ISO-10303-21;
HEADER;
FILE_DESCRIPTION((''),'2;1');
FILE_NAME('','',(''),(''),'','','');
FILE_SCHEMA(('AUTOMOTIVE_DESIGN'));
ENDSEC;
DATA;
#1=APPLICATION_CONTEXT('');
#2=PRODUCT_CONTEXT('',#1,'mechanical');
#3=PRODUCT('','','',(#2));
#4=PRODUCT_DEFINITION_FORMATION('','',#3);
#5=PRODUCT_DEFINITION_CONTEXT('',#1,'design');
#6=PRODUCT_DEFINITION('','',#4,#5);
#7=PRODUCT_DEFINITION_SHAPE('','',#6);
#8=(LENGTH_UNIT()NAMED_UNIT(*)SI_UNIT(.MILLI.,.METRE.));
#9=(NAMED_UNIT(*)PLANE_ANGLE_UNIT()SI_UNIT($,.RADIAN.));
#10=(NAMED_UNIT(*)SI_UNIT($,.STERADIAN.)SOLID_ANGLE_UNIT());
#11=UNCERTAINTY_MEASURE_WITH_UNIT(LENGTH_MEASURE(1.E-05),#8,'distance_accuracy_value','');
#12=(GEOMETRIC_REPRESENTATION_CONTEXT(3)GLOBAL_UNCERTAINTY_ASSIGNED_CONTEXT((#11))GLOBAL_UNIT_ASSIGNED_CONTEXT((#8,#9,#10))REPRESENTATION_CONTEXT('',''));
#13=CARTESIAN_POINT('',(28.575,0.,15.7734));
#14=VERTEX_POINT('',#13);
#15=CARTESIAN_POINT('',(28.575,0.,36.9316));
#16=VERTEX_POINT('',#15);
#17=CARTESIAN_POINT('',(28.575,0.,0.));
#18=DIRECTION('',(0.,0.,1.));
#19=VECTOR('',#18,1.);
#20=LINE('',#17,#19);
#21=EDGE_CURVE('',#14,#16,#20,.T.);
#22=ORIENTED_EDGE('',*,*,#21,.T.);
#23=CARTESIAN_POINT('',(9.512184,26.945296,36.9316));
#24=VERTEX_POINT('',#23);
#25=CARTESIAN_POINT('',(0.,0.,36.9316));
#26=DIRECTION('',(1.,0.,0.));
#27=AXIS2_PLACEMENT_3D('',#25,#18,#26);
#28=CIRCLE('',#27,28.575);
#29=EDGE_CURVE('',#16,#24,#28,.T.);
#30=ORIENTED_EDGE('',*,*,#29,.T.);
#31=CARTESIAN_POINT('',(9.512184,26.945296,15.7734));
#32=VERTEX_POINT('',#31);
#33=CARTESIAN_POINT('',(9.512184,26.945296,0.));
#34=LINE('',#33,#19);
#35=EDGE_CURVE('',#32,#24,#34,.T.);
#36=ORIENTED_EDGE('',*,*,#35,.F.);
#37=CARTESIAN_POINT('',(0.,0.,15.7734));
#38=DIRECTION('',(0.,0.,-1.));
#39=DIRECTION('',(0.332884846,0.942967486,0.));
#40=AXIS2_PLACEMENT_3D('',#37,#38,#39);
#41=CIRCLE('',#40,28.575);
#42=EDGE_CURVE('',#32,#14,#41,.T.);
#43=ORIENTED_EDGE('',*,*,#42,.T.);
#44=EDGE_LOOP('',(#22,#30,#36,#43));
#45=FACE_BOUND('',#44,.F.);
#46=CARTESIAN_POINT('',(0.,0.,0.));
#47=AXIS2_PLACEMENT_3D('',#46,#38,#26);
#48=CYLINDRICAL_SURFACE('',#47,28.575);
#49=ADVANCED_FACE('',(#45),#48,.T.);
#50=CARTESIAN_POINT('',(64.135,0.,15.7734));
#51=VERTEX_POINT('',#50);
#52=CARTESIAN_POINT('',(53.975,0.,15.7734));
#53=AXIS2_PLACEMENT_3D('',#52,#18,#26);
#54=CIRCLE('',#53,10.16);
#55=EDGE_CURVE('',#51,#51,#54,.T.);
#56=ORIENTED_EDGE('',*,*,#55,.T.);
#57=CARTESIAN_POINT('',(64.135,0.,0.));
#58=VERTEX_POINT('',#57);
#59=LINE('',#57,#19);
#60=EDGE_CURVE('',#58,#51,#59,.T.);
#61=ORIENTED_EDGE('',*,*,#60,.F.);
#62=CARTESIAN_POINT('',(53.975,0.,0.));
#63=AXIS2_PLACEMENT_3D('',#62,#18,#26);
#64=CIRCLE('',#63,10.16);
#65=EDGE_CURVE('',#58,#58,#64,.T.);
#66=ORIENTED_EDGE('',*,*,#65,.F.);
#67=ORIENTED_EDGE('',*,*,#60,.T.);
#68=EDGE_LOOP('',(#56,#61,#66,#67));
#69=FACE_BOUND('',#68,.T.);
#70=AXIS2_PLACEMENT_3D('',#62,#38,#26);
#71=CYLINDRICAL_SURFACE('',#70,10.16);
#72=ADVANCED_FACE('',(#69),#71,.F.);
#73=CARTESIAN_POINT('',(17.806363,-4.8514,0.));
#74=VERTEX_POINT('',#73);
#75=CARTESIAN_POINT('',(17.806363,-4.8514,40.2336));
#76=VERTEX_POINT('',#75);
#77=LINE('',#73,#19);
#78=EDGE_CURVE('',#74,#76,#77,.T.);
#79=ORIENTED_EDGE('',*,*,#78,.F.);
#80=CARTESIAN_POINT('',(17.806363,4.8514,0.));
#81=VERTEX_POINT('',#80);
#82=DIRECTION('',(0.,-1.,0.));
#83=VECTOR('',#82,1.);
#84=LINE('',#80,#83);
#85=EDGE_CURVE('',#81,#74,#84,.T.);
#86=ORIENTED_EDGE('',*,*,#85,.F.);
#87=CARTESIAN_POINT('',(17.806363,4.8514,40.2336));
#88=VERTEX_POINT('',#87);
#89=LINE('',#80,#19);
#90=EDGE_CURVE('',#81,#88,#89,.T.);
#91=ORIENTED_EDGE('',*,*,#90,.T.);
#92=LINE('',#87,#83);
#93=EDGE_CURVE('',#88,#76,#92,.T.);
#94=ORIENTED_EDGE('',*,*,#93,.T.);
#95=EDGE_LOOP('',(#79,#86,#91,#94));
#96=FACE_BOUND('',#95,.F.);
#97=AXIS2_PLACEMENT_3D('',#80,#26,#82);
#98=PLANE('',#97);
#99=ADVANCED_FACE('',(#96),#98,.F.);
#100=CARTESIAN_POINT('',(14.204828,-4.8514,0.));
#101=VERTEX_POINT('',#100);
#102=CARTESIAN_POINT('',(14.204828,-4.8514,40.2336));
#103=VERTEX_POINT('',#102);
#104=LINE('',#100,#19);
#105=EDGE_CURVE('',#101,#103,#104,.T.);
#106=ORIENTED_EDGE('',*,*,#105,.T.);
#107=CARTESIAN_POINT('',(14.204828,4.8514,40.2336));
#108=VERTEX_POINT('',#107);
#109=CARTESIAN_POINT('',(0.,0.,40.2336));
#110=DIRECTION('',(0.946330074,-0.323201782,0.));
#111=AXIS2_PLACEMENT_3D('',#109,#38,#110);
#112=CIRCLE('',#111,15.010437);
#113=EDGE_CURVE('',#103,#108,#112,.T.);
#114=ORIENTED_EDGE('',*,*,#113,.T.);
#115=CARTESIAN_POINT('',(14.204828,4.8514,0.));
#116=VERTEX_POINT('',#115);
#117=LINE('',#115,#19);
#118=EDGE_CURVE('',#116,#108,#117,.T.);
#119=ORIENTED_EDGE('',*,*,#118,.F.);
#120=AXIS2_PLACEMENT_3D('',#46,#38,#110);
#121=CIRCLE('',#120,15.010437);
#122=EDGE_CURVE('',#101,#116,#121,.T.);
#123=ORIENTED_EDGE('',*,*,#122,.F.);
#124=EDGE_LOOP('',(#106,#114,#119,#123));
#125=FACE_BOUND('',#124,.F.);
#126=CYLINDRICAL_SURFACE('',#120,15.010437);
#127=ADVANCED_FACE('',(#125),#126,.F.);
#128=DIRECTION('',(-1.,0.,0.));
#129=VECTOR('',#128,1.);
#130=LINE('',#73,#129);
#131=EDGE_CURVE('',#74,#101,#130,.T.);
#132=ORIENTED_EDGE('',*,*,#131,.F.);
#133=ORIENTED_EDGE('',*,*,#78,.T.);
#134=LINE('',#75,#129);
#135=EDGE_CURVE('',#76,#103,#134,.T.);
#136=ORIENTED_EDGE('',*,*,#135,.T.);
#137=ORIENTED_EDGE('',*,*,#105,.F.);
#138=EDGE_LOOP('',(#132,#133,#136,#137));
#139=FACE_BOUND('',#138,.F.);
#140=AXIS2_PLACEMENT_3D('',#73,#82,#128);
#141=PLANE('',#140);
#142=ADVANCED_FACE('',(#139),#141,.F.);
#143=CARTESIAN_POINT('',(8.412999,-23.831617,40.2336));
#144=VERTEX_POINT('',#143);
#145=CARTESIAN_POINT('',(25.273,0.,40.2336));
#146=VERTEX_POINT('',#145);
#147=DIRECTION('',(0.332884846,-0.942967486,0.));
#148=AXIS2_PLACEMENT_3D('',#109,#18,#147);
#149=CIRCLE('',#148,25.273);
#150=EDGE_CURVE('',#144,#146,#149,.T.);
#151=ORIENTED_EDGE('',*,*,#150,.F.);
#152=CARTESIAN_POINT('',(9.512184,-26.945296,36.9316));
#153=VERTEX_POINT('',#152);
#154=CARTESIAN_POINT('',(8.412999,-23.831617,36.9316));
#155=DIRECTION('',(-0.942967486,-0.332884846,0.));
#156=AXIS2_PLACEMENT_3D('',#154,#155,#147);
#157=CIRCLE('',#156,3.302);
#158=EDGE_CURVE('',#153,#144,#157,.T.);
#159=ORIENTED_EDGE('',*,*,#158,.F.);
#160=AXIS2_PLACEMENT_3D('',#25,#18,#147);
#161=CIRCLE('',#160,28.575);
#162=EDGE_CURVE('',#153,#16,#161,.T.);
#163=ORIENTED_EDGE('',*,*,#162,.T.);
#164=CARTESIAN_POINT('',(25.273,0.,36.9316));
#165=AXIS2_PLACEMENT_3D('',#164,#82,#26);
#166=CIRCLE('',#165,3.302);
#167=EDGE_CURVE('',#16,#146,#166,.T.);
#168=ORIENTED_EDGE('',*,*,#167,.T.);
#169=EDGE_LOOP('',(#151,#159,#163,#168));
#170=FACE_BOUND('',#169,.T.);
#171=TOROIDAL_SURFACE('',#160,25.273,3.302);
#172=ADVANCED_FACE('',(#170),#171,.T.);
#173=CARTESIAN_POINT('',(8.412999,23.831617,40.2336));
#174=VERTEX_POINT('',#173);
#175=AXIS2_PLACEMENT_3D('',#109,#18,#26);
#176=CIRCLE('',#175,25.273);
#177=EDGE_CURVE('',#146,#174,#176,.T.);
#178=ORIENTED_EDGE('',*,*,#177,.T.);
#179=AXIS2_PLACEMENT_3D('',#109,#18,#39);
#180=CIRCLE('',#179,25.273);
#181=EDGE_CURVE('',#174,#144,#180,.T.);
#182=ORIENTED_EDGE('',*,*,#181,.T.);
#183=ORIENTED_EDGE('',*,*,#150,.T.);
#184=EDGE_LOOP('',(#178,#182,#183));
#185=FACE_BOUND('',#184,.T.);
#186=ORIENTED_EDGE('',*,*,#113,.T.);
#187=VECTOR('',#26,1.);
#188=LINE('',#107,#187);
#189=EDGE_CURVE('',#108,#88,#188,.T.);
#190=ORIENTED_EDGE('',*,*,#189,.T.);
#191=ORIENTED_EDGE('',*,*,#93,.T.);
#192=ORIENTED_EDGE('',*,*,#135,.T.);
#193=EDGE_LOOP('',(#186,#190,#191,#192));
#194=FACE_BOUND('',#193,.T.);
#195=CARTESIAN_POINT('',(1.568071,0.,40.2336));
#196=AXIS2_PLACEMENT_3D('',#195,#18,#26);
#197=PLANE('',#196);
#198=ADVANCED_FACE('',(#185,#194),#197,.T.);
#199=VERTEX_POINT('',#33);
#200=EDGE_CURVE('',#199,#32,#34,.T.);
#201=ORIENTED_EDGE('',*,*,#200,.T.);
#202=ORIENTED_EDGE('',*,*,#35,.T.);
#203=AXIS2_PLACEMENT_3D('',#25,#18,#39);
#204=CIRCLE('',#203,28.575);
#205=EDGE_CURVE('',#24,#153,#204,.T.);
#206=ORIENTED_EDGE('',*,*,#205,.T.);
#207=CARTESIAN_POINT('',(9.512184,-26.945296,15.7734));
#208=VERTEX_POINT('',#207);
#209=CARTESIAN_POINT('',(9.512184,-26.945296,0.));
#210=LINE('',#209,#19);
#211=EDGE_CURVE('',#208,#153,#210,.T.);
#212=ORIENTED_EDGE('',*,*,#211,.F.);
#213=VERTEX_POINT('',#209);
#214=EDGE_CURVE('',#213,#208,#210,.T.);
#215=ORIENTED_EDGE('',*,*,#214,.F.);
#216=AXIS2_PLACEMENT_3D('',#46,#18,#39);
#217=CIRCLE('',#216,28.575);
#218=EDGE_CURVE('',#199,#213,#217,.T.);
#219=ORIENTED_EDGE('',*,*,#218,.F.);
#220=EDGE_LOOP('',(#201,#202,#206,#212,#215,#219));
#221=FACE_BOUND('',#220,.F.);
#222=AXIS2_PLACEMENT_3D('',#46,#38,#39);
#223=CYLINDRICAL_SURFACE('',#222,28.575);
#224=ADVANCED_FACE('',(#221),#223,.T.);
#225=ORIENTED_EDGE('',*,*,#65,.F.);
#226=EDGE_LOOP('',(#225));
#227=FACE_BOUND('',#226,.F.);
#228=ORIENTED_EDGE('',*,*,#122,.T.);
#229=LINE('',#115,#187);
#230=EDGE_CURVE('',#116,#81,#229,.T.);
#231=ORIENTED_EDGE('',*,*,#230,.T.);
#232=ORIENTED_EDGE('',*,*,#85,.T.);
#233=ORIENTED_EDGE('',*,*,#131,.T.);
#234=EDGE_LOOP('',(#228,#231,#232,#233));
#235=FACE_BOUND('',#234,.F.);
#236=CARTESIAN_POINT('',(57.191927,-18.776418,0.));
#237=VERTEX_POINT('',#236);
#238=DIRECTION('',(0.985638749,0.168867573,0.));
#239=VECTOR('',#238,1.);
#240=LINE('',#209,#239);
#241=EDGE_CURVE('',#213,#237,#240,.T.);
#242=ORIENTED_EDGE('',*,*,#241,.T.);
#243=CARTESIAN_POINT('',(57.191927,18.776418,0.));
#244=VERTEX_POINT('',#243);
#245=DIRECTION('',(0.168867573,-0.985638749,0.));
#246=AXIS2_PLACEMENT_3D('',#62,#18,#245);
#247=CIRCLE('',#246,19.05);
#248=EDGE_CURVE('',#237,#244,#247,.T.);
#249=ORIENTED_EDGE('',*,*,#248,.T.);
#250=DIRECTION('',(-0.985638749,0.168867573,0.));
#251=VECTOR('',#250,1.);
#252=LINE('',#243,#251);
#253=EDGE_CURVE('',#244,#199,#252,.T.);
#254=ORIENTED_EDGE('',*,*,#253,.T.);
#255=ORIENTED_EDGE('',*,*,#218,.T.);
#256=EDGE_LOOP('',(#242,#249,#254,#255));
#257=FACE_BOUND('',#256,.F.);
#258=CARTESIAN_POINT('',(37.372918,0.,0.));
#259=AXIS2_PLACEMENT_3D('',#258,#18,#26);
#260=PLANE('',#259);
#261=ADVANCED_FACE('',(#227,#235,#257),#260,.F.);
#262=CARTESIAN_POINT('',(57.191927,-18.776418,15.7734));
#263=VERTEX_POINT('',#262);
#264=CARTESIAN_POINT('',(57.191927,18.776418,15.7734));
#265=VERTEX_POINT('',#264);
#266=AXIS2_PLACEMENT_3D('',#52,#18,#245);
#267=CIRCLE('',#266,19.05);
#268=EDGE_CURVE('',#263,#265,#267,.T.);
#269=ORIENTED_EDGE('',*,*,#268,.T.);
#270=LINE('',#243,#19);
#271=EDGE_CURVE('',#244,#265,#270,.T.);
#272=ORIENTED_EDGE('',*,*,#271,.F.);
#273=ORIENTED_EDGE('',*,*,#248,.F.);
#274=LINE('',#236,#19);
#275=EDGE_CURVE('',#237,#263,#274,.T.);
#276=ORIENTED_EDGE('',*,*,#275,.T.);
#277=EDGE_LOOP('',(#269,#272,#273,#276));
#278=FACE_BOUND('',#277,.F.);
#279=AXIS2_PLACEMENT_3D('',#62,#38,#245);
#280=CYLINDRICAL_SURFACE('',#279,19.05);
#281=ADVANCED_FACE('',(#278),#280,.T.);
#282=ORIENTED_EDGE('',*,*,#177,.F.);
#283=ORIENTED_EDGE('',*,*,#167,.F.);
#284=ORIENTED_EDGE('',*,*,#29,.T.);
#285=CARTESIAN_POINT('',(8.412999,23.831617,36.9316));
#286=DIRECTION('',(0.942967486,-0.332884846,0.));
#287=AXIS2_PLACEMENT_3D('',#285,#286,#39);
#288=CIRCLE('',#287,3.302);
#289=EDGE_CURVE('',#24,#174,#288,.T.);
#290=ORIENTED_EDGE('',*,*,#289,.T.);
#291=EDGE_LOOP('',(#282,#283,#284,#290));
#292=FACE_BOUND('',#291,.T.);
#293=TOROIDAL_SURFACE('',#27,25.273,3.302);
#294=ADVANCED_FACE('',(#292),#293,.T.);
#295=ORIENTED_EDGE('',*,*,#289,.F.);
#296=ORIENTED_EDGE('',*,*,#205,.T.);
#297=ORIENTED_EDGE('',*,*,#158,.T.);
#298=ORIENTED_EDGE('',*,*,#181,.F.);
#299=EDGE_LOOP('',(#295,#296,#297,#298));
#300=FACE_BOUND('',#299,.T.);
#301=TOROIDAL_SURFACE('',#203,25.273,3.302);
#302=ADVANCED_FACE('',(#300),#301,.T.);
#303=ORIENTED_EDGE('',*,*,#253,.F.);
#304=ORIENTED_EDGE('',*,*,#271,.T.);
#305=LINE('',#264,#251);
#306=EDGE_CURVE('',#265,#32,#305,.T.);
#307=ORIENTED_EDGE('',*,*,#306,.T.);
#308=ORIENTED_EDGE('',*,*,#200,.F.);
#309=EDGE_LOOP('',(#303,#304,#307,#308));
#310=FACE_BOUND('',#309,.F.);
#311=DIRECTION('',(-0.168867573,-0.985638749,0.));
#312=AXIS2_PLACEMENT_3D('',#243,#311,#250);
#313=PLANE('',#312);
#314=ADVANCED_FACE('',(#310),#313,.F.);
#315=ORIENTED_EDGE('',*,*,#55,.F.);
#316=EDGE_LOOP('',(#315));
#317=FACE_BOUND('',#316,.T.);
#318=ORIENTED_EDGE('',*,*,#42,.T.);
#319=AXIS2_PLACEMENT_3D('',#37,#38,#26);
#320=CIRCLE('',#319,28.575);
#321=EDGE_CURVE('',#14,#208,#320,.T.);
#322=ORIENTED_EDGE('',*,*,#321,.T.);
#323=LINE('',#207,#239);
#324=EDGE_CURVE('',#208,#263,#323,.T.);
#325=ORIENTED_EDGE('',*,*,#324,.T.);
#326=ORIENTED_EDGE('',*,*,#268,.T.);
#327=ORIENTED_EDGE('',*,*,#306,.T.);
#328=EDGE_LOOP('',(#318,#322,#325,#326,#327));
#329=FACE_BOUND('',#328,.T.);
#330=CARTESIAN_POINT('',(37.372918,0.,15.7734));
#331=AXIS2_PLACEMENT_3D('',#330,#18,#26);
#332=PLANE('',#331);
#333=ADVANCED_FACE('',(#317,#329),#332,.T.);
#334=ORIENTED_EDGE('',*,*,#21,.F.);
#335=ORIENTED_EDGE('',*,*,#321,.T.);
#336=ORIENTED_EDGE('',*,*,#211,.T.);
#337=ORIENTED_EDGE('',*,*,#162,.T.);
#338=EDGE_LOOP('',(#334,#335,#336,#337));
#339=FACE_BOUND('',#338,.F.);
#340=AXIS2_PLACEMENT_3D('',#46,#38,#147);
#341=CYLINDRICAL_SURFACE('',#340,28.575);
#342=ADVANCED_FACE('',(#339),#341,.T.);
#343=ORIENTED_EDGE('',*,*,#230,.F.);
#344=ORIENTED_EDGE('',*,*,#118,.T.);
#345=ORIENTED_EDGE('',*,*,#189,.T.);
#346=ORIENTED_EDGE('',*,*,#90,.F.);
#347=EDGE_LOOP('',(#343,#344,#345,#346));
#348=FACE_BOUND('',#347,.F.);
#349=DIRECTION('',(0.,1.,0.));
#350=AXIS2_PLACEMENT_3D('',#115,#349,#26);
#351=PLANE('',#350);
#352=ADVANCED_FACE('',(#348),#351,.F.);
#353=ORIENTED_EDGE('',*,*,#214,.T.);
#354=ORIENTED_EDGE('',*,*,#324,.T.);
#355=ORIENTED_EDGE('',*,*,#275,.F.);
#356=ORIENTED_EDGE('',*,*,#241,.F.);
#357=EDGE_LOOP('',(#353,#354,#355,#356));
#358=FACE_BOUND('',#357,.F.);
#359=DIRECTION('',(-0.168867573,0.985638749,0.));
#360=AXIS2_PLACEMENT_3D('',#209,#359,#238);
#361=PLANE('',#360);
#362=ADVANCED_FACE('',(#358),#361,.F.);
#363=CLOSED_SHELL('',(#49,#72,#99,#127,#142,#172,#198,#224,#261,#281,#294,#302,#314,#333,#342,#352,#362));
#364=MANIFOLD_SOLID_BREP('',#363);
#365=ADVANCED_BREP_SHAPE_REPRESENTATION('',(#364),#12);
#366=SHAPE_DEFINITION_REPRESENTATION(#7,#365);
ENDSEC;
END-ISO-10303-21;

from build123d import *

# Parameters (mm, degrees)
F0_R     = 24.9326348986
F1_DEPTH = 40.2336
F2_R     = 10.16
F3_DEPTH = 15.7734
F4_R     = 3.302


with BuildPart() as f1:
    # F0 (on Top) → F1 (new body)
    with BuildSketch(Plane.XY):
        with BuildLine():
            ThreePointArc((9.5121844836, -26.9452959039), (23.3274655355, -16.5033322905), (28.575, 0))
            ThreePointArc((28.575, 0), (23.3274655355, 16.5033322905), (9.5121844836, 26.9452959039))
            ThreePointArc((9.5121844836, 26.9452959039), (-28.575, 0), (9.5121844836, -26.9452959039))
        make_face()
        Circle(F0_R, mode=Mode.SUBTRACT)
        Circle(F0_R)
        with BuildLine():
            ThreePointArc((14.2048280027, -4.8514), (-15.0104370538, 0), (14.2048280027, 4.8514))
            Line((14.2048280027, 4.8514), (17.8063629462, 4.8514))
            Line((17.8063629462, 4.8514), (17.8063629462, -4.8514))
            Line((17.8063629462, -4.8514), (14.2048280027, -4.8514))
        make_face(mode=Mode.SUBTRACT)
    extrude(amount=F1_DEPTH)

    # F2 (on face) → F3 (join)
    with BuildSketch(Plane.XY):
        with BuildLine():
            Line((57.1919272622, 18.7764181619), (9.5121844836, 26.9452959039))
            ThreePointArc((9.5121844836, 26.9452959039), (23.3274655355, 16.5033322905), (28.575, 0))
            ThreePointArc((28.575, 0), (23.3274655355, -16.5033322905), (9.5121844836, -26.9452959039))
            Line((9.5121844836, -26.9452959039), (57.1919272622, -18.7764181619))
            ThreePointArc((57.1919272622, -18.7764181619), (73.025, 0), (57.1919272622, 18.7764181619))
        make_face()
        with Locations((53.975, 0)):
            Circle(F2_R, mode=Mode.SUBTRACT)
    extrude(amount=F3_DEPTH)

    # F4
    f4_edges = [f1.edges().sort_by_distance(p)[0] for p in [
        (-28.575, 0, 40.2336),
    ]]
    fillet(f4_edges, radius=F4_R)


solid = f1.part
